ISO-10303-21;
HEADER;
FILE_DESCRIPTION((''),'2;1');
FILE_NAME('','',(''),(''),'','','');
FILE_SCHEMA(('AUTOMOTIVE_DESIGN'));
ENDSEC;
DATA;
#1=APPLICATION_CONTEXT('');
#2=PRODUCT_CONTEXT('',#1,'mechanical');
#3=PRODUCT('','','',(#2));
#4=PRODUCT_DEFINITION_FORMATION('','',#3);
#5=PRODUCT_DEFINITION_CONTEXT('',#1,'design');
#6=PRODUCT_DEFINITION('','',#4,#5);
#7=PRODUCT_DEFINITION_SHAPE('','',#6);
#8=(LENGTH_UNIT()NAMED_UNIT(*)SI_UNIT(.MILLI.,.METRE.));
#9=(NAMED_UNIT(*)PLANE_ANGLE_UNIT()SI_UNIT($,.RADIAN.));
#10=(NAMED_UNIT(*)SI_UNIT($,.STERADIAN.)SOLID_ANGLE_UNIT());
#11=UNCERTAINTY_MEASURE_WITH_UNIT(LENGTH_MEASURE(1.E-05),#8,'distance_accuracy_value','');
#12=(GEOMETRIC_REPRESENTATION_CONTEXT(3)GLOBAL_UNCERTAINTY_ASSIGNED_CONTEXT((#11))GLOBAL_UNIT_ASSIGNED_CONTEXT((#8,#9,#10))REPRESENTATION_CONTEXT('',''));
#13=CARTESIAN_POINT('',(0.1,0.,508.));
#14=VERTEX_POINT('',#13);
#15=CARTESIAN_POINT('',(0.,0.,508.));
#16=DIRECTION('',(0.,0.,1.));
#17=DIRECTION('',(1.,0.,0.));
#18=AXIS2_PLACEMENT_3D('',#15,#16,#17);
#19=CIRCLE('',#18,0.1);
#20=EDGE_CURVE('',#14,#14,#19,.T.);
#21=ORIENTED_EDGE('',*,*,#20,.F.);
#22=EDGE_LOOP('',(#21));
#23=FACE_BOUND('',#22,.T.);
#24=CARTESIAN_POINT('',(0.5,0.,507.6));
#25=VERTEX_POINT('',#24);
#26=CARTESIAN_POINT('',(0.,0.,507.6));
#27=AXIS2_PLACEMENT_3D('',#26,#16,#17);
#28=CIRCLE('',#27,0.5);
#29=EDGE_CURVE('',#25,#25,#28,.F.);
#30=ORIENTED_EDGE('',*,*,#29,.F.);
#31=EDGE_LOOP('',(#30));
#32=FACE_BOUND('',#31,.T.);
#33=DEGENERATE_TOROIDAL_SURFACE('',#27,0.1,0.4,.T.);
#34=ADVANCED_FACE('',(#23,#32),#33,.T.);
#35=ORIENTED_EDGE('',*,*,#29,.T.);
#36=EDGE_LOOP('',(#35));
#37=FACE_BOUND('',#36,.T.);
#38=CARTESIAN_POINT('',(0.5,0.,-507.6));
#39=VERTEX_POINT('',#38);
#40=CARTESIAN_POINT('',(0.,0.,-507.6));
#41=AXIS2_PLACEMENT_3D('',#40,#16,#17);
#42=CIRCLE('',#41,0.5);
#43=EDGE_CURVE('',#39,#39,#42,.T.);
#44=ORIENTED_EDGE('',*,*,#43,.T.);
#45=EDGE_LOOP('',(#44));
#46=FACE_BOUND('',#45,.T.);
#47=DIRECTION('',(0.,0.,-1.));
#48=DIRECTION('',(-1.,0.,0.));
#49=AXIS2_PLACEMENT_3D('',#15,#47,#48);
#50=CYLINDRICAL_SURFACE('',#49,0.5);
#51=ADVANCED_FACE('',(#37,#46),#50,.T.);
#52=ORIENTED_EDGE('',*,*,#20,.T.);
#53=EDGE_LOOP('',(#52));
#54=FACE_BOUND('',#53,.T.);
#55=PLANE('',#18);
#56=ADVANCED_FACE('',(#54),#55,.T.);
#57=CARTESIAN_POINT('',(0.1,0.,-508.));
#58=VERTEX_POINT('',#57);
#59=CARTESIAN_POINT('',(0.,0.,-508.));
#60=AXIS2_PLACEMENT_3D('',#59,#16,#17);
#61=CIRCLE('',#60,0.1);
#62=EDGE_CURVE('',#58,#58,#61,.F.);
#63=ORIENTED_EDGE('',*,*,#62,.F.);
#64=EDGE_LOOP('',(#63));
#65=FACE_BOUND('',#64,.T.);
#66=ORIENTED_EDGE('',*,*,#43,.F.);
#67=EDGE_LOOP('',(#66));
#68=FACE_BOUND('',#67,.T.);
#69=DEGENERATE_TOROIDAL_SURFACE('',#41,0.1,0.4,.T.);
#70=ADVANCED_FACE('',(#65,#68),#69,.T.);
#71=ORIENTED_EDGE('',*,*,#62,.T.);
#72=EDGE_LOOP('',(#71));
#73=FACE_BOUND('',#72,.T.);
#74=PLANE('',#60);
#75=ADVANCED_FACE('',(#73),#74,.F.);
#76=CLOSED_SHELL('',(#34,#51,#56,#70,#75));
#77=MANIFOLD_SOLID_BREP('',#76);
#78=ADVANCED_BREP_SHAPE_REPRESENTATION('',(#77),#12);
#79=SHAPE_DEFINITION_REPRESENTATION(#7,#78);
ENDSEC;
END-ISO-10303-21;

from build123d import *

# Parameters (mm, degrees)
SKETCH3_R           = 0.5
BOSS_EXTRUDE1_DEPTH = 508
FILLET1_R           = 0.4


with BuildPart() as part:
    # Sketch3 → Boss-Extrude1 (new, symmetric)
    with BuildSketch(Plane.XY):
        Circle(SKETCH3_R)
    extrude(amount=BOSS_EXTRUDE1_DEPTH, both=True)

    # Fillet1
    fillet1_edges = [part.edges().sort_by_distance(p)[0] for p in [
        (-0.5, 0, -508),
        (-0.5, 0, 508),
    ]]
    fillet(fillet1_edges, radius=FILLET1_R)


solid = part.part
